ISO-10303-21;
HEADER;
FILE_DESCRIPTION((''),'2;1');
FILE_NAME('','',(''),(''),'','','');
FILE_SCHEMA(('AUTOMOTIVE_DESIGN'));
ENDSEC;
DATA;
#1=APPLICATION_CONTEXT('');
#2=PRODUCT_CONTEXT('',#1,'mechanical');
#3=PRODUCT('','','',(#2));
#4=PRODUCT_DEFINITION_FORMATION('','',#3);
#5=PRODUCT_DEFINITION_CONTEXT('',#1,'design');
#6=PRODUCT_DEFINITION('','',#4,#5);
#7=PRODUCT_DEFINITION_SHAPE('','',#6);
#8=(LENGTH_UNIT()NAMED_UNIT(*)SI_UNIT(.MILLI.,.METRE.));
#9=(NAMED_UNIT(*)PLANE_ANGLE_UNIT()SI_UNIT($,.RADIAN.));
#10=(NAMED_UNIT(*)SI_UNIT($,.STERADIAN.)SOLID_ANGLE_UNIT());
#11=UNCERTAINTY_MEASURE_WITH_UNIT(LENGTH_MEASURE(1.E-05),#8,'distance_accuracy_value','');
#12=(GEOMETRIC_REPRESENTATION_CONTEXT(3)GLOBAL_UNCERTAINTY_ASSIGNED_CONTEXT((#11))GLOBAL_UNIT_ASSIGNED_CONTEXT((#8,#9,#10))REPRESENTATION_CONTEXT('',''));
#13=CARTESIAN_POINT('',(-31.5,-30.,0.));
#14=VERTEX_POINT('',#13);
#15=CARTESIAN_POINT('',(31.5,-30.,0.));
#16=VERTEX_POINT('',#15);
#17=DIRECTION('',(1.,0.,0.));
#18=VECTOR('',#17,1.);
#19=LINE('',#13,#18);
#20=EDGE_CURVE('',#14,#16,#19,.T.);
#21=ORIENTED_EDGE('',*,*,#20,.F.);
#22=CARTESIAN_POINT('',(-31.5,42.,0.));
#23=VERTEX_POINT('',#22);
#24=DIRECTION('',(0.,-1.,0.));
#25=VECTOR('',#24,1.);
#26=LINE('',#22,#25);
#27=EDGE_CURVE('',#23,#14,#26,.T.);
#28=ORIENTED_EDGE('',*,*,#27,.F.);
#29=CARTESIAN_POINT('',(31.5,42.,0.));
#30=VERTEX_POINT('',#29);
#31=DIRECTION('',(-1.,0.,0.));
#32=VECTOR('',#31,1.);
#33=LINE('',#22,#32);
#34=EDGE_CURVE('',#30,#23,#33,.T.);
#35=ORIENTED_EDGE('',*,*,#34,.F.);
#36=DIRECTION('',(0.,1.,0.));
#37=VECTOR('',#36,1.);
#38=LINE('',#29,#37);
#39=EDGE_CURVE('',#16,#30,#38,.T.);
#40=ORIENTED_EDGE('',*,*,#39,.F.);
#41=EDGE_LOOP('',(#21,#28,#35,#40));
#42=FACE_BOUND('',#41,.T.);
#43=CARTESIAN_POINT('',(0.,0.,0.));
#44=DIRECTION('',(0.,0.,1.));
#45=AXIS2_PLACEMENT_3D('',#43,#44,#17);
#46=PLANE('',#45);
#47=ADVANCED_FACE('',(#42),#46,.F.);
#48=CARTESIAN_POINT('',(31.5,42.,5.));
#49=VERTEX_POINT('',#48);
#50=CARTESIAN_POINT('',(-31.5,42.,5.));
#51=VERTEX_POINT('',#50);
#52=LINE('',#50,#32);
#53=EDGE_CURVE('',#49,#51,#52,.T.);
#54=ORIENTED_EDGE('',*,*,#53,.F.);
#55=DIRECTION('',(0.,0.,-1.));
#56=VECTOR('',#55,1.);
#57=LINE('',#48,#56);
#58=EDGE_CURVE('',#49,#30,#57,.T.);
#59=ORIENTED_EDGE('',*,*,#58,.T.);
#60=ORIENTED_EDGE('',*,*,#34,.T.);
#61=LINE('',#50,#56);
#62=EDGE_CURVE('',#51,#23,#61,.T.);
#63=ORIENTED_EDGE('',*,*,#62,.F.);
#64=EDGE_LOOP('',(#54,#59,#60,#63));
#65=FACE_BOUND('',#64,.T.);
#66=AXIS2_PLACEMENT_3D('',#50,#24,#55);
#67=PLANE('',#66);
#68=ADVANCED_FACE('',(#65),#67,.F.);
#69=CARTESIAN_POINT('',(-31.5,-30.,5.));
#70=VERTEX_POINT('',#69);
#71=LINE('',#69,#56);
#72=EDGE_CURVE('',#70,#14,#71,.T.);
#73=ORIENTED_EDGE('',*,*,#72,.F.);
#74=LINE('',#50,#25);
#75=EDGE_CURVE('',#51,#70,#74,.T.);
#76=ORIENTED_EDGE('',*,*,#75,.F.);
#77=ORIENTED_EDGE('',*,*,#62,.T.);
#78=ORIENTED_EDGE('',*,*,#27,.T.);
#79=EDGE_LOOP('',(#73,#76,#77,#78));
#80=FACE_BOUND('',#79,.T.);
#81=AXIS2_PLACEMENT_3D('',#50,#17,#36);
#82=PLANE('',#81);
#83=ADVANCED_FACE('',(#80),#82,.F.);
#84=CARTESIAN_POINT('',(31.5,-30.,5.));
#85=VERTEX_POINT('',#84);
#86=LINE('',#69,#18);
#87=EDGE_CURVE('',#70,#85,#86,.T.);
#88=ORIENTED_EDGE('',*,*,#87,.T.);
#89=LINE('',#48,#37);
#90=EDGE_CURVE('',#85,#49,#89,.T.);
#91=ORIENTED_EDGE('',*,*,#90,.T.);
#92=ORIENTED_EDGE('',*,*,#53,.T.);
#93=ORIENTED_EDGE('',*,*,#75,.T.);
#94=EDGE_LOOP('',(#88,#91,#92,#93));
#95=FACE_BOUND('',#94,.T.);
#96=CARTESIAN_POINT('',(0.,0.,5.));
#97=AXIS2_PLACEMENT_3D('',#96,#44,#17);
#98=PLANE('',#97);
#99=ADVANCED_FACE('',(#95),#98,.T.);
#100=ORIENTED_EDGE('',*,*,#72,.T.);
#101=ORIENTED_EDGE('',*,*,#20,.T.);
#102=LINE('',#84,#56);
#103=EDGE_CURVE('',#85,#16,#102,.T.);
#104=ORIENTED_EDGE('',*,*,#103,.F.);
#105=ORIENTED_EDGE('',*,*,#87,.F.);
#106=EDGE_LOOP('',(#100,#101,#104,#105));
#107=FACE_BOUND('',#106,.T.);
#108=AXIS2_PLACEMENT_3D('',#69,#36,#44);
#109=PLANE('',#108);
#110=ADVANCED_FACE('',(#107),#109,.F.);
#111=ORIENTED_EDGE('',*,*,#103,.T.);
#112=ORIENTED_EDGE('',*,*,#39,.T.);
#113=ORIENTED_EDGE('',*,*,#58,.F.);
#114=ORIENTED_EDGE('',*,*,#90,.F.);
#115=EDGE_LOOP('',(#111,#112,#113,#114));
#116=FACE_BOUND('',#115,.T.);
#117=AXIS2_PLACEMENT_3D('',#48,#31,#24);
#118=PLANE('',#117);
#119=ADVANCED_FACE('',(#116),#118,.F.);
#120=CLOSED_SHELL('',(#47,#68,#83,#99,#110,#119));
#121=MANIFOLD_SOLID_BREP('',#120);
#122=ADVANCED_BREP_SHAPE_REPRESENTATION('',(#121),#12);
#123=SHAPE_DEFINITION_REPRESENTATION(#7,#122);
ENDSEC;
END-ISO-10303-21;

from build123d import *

# Parameters (mm, degrees)
SKETCH5_W           = 63
SKETCH5_H           = 72
BOSS_EXTRUDE2_DEPTH = 5


with BuildPart() as part:
    # Sketch5 → Boss-Extrude2 (new body)
    with BuildSketch(Plane.XY):
        with Locations((0, 6)):
            Rectangle(SKETCH5_W, SKETCH5_H)
    extrude(amount=BOSS_EXTRUDE2_DEPTH)


solid = part.part
